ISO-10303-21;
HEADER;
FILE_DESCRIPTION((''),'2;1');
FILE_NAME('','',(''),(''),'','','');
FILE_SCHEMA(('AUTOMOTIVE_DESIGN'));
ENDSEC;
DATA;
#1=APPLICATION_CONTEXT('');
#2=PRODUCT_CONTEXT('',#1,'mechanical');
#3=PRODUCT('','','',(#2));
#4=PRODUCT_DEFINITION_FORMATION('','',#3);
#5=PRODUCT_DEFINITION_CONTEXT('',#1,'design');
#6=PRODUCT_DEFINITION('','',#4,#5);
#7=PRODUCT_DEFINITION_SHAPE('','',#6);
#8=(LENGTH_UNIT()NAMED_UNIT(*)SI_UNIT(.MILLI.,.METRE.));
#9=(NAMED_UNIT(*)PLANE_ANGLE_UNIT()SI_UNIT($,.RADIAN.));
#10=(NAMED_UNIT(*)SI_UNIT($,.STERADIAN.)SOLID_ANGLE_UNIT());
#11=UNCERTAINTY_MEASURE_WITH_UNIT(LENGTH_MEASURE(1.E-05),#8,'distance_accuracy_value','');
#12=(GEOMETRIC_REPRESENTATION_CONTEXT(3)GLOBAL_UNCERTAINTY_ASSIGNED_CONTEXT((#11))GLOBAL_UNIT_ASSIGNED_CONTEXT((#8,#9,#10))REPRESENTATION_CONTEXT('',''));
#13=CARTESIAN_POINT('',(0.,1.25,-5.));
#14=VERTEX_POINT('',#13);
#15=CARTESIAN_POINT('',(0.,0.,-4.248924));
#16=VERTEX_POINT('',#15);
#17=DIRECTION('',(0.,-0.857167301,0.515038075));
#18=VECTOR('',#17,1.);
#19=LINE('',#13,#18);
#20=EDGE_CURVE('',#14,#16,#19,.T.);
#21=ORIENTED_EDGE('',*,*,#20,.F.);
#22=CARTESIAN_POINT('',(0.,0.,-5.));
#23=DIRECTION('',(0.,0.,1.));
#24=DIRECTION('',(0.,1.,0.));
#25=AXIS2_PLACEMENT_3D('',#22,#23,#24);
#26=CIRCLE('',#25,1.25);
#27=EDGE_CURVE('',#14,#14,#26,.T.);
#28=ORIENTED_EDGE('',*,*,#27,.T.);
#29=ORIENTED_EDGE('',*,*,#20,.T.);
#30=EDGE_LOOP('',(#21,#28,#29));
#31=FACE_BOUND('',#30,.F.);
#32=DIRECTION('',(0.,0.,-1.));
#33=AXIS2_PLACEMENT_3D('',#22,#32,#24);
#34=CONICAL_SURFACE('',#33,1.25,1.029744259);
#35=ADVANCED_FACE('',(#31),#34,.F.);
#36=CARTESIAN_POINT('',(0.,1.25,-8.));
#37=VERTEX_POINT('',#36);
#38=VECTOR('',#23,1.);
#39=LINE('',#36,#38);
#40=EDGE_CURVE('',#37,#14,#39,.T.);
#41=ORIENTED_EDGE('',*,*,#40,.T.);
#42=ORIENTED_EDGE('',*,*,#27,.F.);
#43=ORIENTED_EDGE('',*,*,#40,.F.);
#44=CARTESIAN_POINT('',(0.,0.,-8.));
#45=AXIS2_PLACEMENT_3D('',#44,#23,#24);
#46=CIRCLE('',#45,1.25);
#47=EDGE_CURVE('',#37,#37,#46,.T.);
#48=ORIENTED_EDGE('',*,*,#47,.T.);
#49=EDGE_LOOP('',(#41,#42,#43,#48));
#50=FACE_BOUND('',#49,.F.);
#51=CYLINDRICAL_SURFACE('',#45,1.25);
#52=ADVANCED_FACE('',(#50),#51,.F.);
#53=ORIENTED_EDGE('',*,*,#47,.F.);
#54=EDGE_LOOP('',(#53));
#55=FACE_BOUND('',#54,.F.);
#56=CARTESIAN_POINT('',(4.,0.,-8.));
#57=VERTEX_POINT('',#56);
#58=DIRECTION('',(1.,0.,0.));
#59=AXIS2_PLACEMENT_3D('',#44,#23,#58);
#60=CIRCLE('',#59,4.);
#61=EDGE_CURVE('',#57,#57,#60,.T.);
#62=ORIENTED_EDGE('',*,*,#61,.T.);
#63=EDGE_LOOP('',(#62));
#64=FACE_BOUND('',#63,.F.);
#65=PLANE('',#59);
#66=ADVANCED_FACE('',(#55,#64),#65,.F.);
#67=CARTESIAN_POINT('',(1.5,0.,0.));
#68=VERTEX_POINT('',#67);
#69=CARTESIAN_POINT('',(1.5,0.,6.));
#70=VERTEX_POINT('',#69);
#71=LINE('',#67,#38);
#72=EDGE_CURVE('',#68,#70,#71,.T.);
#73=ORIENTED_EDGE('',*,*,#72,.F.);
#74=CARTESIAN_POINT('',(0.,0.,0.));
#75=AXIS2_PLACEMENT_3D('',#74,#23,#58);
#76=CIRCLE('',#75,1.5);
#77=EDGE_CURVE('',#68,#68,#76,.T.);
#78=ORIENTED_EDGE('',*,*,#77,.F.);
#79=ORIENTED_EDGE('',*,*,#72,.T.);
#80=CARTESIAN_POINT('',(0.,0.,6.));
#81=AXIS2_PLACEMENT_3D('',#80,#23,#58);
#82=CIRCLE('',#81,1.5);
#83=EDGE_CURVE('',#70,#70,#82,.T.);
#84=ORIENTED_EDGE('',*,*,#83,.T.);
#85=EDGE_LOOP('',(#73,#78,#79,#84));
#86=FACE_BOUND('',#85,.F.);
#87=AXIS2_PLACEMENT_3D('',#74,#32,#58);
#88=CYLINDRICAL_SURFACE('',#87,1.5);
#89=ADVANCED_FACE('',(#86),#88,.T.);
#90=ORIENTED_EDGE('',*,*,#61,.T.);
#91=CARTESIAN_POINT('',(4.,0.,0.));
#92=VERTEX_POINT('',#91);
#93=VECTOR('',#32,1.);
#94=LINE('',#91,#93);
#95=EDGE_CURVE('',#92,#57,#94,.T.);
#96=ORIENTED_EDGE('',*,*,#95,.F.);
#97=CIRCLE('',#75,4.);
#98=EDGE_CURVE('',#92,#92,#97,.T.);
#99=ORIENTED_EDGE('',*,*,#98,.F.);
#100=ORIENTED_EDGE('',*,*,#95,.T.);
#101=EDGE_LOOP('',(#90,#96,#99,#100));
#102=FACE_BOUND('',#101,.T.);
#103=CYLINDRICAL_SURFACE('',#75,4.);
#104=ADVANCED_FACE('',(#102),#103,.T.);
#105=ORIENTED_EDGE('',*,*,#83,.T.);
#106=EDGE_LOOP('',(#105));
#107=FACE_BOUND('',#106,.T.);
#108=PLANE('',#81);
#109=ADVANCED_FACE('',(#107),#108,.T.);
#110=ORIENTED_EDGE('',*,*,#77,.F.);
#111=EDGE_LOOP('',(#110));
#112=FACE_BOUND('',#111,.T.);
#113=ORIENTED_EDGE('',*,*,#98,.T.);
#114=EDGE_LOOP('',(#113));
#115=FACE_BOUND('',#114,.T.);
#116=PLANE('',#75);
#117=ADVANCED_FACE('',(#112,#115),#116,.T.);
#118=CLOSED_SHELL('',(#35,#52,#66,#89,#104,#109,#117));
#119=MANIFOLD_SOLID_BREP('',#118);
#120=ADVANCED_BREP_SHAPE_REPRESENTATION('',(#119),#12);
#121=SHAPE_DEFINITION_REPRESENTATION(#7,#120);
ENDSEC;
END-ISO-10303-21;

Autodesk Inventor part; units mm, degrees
ref_plane "YZ Plane" through (0, 0, 0) normal (1, 0, 0) x (0, 1, 0)
ref_plane "XZ Plane" through (0, 0, 0) normal (0, 1, 0) x (-1, 0, 0)
ref_plane "XY Plane" through (0, 0, 0) normal (0, 0, 1) x (1, 0, 0)
sketch "スケッチ1" plane through (0, 0, 0) normal (0, 0, 1) x (1, 0, 0)
  circle A0 centre (0, 0) radius 4
  circle A1 centre (0, 0) radius 1.5
  dimension "d0" = 8
  dimension "d1" = 3
extrude "押し出し1" add sketch "スケッチ1" along normal blind 6 contours A1
extrude "押し出し2" add sketch "スケッチ1" against normal blind 8 contours A0 | A1
sketch "スケッチ2" plane through (0, 0, -8) normal (0, 0, -1) x (-1, 0, 0)
  circle A0 centre (0, 0) radius 4 projected
hole "穴1" at (0, 0, -8) direction (0, 0, 1) diameter 2.5 depth 3 tip angle 118
properties part number "防振ゴム雄ねじ雌ねじスペーサー"
